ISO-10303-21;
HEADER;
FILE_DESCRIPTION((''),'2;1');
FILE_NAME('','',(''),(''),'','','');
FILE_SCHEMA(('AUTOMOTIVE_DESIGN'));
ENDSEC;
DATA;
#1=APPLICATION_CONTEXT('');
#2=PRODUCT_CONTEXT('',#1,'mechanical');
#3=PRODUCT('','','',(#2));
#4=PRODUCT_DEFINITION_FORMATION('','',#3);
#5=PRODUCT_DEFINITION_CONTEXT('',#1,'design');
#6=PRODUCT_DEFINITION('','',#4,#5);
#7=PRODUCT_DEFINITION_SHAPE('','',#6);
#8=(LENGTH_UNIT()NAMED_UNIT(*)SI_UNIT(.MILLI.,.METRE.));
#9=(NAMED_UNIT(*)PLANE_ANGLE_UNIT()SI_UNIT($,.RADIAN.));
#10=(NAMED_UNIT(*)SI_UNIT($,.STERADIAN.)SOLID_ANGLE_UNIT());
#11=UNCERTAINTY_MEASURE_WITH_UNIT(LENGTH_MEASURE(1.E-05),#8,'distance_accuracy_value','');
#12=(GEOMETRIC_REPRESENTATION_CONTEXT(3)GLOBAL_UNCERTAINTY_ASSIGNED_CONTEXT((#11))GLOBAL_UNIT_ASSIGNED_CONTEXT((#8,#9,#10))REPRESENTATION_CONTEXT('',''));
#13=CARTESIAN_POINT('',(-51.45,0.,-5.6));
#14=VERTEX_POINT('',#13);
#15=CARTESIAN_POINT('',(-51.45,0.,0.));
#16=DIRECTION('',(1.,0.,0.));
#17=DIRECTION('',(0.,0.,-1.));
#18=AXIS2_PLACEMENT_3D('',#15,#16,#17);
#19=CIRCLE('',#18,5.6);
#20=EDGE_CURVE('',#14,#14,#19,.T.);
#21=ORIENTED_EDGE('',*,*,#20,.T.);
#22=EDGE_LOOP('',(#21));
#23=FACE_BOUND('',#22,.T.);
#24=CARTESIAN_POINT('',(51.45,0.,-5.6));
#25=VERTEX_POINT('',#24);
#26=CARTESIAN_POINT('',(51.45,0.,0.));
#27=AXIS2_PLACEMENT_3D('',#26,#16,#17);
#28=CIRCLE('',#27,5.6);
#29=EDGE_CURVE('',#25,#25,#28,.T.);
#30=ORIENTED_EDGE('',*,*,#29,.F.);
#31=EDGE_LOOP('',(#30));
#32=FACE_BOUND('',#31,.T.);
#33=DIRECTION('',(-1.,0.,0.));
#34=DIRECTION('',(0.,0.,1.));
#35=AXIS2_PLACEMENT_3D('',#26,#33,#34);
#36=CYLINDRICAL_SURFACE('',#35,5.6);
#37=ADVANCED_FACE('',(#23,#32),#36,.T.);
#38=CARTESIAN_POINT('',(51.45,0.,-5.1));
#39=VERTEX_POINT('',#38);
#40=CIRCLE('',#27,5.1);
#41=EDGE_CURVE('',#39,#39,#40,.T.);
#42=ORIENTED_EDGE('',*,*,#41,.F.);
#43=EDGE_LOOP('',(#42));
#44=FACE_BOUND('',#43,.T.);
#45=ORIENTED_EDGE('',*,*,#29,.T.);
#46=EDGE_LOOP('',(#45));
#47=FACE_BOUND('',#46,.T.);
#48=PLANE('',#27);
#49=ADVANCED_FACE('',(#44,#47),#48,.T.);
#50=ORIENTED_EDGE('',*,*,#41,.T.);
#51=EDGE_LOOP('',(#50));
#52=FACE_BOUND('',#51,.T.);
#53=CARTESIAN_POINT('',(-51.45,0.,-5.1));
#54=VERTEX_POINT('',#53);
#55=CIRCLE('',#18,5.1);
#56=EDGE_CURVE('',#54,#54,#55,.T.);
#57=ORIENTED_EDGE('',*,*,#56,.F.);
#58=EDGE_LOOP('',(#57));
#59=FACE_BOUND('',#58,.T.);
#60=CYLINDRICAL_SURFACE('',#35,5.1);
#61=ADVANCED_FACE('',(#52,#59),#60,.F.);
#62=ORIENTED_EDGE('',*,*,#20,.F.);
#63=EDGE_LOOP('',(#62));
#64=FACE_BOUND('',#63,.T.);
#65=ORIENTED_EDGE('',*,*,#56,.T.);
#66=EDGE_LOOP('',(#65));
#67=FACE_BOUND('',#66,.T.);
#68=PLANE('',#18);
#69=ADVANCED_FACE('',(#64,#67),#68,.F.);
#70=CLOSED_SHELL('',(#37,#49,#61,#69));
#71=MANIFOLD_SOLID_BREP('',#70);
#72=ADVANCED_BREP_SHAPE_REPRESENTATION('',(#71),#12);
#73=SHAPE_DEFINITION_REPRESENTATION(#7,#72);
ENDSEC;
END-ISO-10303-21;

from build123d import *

# Parameters (mm, degrees)
SKIZZE1_R                       = 5.6
SKIZZE1_R_2                     = 5.1
AUFSATZ_LINEAR_AUSTRAGEN1_DEPTH = 51.45


with BuildPart() as part:
    # Skizze1 → Aufsatz-Linear austragen1 (new, symmetric)
    with BuildSketch(Plane(origin=(0, 0, 0), x_dir=(0, 0, -1), z_dir=(1, 0, 0))):
        Circle(SKIZZE1_R)
        Circle(SKIZZE1_R_2, mode=Mode.SUBTRACT)
    extrude(amount=AUFSATZ_LINEAR_AUSTRAGEN1_DEPTH, both=True)


solid = part.part
